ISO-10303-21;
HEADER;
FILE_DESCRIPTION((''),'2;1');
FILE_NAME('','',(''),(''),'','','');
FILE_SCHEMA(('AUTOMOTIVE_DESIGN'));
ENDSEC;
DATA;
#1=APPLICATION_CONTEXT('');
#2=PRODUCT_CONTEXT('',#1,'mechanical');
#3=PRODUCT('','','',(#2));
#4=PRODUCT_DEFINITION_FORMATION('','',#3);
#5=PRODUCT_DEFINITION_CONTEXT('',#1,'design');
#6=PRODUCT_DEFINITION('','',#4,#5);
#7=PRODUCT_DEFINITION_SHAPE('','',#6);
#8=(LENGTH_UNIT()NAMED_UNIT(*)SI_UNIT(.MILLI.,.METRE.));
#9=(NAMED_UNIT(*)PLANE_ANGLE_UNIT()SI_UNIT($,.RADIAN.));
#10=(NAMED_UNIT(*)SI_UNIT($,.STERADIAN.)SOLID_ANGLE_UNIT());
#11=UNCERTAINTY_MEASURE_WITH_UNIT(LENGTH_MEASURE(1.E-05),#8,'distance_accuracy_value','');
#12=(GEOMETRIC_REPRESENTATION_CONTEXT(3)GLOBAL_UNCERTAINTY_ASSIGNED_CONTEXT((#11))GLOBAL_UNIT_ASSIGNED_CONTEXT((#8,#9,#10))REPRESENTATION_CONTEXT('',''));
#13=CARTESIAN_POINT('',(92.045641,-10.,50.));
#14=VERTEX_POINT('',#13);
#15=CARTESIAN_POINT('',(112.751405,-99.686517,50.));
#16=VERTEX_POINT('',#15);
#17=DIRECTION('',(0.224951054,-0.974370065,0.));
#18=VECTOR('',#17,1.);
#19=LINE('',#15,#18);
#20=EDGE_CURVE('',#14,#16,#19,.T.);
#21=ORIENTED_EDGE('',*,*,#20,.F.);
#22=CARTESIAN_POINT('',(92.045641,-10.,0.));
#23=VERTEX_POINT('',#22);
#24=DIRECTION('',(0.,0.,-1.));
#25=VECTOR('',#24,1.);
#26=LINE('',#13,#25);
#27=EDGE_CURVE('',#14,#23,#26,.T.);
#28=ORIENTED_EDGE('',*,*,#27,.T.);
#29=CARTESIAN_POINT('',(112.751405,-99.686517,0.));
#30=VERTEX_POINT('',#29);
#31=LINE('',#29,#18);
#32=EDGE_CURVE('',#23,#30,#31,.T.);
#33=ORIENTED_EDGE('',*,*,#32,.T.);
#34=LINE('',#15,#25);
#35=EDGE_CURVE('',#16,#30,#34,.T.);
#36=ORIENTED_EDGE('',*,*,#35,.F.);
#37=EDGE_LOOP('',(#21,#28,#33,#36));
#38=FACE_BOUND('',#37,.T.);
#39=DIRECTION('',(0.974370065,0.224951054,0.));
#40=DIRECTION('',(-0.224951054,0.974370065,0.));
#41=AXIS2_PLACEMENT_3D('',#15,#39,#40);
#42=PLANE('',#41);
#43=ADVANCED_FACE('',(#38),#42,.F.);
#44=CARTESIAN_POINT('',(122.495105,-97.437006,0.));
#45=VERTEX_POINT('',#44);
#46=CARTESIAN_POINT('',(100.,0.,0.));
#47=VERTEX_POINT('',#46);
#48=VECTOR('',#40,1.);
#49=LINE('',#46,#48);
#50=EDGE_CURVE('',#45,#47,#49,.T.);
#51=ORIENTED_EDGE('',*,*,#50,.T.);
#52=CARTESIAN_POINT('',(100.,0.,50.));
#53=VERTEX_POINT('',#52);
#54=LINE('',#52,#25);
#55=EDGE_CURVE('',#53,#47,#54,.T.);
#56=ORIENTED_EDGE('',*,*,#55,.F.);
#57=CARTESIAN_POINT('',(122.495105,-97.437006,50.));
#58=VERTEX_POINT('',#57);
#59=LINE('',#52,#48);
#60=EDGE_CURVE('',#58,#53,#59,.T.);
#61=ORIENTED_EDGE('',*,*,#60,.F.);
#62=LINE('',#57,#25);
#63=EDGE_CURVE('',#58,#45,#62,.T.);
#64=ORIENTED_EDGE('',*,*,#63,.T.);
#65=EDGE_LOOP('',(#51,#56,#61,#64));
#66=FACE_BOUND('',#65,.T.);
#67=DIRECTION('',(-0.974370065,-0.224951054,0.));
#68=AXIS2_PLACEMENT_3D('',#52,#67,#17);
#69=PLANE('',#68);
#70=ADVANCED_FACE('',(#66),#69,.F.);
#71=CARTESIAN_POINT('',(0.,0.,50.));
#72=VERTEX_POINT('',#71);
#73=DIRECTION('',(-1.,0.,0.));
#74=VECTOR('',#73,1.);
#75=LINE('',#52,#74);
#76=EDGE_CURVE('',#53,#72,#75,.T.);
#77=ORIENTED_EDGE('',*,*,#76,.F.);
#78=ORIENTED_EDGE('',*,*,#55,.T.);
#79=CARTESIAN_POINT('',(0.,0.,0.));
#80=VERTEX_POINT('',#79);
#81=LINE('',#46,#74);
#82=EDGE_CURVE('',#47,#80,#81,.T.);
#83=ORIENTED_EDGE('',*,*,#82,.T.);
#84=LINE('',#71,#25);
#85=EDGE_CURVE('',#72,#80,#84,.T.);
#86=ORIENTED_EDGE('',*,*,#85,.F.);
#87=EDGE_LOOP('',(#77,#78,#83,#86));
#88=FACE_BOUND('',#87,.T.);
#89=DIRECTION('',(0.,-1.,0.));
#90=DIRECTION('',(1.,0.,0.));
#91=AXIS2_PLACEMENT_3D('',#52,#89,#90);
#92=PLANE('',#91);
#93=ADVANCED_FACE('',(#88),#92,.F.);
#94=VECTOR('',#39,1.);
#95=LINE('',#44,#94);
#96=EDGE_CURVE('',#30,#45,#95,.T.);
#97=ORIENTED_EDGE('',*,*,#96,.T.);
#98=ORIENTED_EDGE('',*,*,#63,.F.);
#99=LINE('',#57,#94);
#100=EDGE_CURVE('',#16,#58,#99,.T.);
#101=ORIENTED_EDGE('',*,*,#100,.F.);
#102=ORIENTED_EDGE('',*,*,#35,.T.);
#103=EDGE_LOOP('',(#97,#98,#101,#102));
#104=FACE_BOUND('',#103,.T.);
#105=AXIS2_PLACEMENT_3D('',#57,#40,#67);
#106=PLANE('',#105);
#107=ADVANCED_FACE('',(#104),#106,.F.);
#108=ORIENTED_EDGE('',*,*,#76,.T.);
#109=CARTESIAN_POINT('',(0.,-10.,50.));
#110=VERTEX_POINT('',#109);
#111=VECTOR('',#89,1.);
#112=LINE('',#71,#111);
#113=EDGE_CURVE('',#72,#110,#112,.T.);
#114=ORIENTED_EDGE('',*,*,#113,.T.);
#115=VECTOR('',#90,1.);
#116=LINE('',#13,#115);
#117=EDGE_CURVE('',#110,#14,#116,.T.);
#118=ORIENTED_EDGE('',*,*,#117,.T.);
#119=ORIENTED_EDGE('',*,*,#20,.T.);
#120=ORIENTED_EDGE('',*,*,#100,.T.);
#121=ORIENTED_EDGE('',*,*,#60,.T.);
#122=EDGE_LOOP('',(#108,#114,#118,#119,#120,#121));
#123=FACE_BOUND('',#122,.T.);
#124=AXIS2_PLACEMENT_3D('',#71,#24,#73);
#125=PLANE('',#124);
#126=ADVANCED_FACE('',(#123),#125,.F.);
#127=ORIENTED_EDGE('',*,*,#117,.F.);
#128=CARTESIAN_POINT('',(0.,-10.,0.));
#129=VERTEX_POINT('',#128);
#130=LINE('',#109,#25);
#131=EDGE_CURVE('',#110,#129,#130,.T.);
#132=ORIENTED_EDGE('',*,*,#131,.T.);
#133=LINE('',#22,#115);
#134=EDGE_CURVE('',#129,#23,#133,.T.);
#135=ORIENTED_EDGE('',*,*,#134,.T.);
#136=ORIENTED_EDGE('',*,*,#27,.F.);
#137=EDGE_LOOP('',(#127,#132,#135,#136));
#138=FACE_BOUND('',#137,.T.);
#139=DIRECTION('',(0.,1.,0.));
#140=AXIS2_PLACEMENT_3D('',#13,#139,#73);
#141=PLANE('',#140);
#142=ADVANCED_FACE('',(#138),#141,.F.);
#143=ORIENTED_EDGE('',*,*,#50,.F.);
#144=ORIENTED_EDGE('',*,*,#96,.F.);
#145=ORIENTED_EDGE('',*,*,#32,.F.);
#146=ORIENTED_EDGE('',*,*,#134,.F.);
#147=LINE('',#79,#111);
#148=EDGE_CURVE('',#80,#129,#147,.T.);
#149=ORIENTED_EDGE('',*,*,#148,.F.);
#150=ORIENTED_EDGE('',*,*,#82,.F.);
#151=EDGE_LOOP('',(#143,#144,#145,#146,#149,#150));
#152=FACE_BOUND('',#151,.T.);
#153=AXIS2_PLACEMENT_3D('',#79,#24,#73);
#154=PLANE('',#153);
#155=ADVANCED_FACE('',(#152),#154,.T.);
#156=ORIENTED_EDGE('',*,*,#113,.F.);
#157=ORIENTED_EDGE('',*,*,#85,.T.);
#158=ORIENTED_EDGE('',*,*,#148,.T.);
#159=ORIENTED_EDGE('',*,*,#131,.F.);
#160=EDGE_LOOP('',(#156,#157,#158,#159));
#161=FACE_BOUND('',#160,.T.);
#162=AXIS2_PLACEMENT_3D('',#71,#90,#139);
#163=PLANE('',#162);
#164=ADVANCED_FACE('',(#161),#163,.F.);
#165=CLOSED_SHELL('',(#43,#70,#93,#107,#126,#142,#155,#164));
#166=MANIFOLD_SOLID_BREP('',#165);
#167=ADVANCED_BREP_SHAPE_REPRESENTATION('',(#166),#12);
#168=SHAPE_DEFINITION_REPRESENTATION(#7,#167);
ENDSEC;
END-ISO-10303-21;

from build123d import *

# Parameters (mm, degrees)
BOSS_EXTRUDE1_DEPTH = 50


with BuildPart() as part:
    # Sketch1 → Boss-Extrude1 (new body)
    with BuildSketch(Plane.XY):
        Polygon((100, 0), (0, 0), (0, -10), (92.045640833, -10), (112.751404787, -99.686517022), (122.495105434, -97.437006479), align=None)
    extrude(amount=BOSS_EXTRUDE1_DEPTH)


solid = part.part
